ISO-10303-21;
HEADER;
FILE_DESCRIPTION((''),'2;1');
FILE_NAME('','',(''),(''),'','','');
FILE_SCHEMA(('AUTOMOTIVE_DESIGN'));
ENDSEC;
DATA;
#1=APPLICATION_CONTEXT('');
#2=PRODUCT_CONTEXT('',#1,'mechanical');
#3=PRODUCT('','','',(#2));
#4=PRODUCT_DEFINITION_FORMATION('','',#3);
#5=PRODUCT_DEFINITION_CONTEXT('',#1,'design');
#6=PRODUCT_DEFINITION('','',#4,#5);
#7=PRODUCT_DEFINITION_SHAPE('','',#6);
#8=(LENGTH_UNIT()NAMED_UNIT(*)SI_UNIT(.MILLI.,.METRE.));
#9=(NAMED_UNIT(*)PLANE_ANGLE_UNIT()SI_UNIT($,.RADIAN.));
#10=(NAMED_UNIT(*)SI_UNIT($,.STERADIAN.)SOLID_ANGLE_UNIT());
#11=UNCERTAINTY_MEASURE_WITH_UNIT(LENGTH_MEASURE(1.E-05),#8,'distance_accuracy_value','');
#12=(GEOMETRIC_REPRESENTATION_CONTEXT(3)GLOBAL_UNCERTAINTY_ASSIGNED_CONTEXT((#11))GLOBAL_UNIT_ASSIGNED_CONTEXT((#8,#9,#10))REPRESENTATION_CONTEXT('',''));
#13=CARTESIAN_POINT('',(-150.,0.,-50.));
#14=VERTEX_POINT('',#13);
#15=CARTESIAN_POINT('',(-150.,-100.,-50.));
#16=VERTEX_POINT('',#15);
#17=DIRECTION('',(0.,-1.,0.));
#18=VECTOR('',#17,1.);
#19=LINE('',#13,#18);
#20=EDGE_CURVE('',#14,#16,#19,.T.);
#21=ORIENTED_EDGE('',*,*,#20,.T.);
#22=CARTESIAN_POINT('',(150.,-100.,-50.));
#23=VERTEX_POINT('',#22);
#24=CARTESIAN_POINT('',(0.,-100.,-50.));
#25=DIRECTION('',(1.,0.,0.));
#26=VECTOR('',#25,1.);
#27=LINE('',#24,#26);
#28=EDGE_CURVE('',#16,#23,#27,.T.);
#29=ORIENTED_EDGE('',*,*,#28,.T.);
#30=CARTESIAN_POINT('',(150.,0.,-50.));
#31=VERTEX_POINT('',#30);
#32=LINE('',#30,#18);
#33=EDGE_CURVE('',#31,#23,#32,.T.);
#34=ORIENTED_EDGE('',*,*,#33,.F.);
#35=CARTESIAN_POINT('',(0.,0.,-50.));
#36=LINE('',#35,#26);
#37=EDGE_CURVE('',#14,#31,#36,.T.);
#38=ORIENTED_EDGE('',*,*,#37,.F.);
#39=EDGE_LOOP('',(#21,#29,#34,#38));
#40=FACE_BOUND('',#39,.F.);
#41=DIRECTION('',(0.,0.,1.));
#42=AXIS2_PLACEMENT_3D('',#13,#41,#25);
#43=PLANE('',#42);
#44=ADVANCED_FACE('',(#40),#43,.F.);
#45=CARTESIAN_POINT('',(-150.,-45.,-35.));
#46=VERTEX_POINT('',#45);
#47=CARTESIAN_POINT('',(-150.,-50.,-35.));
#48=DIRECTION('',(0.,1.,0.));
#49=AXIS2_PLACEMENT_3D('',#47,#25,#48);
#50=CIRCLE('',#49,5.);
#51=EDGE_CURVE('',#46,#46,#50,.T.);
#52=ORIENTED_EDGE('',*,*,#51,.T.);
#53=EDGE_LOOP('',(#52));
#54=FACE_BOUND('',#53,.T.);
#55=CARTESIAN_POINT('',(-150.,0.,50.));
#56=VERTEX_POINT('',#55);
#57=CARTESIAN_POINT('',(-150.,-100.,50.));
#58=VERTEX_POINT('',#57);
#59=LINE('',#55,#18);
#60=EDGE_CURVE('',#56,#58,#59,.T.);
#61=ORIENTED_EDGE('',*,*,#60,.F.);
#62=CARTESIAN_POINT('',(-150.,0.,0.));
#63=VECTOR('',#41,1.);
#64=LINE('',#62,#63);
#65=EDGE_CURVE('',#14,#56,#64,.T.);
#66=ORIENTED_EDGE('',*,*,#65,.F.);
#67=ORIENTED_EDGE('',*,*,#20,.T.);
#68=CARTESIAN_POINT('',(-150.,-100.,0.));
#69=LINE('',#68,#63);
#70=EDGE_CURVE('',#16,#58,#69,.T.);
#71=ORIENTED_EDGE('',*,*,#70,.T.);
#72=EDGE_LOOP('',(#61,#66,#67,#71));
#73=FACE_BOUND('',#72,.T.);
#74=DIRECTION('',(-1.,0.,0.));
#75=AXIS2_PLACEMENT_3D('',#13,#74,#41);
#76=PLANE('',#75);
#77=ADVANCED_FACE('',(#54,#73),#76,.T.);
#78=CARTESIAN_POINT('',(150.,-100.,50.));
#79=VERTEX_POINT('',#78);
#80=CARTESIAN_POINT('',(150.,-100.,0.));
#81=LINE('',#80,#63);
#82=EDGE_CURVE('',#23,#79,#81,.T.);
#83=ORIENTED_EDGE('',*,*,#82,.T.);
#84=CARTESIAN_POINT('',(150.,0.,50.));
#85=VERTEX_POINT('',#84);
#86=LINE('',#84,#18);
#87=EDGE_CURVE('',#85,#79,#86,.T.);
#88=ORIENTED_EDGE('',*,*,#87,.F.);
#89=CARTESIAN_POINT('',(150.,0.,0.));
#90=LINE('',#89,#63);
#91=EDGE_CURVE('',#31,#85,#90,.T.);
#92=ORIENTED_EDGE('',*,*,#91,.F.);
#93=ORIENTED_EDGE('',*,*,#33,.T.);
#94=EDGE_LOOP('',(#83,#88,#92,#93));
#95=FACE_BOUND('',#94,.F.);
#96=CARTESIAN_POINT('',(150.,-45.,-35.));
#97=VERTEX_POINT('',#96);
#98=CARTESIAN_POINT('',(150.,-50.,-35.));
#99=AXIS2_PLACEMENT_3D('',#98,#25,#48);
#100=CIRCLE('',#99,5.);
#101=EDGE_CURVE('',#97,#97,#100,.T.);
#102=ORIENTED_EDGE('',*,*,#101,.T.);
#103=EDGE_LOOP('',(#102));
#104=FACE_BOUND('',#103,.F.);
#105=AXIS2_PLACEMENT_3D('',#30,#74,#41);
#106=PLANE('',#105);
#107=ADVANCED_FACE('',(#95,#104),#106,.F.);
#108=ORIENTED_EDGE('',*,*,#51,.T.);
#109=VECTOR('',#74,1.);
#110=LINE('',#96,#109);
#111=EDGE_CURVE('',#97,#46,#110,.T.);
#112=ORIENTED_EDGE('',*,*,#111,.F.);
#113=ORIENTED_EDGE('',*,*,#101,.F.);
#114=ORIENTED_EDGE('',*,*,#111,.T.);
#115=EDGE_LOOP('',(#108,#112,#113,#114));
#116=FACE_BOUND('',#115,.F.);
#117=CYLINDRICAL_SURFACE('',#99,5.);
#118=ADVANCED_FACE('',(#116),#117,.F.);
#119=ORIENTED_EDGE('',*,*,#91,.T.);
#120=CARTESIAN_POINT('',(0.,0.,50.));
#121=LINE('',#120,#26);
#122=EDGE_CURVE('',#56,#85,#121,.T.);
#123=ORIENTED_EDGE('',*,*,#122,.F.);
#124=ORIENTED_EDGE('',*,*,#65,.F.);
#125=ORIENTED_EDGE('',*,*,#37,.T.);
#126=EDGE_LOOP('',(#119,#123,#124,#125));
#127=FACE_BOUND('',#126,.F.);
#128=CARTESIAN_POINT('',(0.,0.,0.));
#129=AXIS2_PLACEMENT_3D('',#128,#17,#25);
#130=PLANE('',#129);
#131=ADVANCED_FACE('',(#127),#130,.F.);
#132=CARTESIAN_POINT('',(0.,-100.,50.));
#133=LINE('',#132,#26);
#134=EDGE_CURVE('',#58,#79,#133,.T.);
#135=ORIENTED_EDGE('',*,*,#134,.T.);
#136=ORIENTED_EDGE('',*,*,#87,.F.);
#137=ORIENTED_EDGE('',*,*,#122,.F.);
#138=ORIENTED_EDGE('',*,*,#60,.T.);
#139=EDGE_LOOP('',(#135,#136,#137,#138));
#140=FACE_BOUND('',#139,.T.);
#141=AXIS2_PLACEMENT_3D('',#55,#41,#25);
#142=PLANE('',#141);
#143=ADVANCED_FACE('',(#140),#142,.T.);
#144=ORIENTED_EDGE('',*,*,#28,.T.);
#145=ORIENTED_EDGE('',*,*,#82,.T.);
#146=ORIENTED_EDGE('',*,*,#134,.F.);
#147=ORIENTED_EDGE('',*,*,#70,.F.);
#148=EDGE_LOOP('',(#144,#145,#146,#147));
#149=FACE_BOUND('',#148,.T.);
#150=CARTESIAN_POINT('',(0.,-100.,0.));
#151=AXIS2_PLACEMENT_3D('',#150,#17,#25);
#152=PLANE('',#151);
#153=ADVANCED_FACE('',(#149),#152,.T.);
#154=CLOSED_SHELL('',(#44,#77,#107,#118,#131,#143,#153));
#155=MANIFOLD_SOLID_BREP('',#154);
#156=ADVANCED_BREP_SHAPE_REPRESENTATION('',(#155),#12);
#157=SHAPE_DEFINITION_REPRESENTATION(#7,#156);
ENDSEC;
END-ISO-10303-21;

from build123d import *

# Parameters (mm, degrees)
F0_W     = 300
F0_H     = 100
F1_DEPTH = 100
F2_R     = 5
F3_DEPTH = 300


with BuildPart() as f1:
    # F0 (on Front) → F1 (new body)
    with BuildSketch(Plane.XZ):
        Rectangle(F0_W, F0_H)
    extrude(amount=F1_DEPTH)

    # F2 (on face) → F3 (cut)
    with BuildSketch(Plane.YZ.offset(150)):
        with Locations((-50, -35)):
            Circle(F2_R)
    extrude(amount=-F3_DEPTH, mode=Mode.SUBTRACT)


solid = f1.part
